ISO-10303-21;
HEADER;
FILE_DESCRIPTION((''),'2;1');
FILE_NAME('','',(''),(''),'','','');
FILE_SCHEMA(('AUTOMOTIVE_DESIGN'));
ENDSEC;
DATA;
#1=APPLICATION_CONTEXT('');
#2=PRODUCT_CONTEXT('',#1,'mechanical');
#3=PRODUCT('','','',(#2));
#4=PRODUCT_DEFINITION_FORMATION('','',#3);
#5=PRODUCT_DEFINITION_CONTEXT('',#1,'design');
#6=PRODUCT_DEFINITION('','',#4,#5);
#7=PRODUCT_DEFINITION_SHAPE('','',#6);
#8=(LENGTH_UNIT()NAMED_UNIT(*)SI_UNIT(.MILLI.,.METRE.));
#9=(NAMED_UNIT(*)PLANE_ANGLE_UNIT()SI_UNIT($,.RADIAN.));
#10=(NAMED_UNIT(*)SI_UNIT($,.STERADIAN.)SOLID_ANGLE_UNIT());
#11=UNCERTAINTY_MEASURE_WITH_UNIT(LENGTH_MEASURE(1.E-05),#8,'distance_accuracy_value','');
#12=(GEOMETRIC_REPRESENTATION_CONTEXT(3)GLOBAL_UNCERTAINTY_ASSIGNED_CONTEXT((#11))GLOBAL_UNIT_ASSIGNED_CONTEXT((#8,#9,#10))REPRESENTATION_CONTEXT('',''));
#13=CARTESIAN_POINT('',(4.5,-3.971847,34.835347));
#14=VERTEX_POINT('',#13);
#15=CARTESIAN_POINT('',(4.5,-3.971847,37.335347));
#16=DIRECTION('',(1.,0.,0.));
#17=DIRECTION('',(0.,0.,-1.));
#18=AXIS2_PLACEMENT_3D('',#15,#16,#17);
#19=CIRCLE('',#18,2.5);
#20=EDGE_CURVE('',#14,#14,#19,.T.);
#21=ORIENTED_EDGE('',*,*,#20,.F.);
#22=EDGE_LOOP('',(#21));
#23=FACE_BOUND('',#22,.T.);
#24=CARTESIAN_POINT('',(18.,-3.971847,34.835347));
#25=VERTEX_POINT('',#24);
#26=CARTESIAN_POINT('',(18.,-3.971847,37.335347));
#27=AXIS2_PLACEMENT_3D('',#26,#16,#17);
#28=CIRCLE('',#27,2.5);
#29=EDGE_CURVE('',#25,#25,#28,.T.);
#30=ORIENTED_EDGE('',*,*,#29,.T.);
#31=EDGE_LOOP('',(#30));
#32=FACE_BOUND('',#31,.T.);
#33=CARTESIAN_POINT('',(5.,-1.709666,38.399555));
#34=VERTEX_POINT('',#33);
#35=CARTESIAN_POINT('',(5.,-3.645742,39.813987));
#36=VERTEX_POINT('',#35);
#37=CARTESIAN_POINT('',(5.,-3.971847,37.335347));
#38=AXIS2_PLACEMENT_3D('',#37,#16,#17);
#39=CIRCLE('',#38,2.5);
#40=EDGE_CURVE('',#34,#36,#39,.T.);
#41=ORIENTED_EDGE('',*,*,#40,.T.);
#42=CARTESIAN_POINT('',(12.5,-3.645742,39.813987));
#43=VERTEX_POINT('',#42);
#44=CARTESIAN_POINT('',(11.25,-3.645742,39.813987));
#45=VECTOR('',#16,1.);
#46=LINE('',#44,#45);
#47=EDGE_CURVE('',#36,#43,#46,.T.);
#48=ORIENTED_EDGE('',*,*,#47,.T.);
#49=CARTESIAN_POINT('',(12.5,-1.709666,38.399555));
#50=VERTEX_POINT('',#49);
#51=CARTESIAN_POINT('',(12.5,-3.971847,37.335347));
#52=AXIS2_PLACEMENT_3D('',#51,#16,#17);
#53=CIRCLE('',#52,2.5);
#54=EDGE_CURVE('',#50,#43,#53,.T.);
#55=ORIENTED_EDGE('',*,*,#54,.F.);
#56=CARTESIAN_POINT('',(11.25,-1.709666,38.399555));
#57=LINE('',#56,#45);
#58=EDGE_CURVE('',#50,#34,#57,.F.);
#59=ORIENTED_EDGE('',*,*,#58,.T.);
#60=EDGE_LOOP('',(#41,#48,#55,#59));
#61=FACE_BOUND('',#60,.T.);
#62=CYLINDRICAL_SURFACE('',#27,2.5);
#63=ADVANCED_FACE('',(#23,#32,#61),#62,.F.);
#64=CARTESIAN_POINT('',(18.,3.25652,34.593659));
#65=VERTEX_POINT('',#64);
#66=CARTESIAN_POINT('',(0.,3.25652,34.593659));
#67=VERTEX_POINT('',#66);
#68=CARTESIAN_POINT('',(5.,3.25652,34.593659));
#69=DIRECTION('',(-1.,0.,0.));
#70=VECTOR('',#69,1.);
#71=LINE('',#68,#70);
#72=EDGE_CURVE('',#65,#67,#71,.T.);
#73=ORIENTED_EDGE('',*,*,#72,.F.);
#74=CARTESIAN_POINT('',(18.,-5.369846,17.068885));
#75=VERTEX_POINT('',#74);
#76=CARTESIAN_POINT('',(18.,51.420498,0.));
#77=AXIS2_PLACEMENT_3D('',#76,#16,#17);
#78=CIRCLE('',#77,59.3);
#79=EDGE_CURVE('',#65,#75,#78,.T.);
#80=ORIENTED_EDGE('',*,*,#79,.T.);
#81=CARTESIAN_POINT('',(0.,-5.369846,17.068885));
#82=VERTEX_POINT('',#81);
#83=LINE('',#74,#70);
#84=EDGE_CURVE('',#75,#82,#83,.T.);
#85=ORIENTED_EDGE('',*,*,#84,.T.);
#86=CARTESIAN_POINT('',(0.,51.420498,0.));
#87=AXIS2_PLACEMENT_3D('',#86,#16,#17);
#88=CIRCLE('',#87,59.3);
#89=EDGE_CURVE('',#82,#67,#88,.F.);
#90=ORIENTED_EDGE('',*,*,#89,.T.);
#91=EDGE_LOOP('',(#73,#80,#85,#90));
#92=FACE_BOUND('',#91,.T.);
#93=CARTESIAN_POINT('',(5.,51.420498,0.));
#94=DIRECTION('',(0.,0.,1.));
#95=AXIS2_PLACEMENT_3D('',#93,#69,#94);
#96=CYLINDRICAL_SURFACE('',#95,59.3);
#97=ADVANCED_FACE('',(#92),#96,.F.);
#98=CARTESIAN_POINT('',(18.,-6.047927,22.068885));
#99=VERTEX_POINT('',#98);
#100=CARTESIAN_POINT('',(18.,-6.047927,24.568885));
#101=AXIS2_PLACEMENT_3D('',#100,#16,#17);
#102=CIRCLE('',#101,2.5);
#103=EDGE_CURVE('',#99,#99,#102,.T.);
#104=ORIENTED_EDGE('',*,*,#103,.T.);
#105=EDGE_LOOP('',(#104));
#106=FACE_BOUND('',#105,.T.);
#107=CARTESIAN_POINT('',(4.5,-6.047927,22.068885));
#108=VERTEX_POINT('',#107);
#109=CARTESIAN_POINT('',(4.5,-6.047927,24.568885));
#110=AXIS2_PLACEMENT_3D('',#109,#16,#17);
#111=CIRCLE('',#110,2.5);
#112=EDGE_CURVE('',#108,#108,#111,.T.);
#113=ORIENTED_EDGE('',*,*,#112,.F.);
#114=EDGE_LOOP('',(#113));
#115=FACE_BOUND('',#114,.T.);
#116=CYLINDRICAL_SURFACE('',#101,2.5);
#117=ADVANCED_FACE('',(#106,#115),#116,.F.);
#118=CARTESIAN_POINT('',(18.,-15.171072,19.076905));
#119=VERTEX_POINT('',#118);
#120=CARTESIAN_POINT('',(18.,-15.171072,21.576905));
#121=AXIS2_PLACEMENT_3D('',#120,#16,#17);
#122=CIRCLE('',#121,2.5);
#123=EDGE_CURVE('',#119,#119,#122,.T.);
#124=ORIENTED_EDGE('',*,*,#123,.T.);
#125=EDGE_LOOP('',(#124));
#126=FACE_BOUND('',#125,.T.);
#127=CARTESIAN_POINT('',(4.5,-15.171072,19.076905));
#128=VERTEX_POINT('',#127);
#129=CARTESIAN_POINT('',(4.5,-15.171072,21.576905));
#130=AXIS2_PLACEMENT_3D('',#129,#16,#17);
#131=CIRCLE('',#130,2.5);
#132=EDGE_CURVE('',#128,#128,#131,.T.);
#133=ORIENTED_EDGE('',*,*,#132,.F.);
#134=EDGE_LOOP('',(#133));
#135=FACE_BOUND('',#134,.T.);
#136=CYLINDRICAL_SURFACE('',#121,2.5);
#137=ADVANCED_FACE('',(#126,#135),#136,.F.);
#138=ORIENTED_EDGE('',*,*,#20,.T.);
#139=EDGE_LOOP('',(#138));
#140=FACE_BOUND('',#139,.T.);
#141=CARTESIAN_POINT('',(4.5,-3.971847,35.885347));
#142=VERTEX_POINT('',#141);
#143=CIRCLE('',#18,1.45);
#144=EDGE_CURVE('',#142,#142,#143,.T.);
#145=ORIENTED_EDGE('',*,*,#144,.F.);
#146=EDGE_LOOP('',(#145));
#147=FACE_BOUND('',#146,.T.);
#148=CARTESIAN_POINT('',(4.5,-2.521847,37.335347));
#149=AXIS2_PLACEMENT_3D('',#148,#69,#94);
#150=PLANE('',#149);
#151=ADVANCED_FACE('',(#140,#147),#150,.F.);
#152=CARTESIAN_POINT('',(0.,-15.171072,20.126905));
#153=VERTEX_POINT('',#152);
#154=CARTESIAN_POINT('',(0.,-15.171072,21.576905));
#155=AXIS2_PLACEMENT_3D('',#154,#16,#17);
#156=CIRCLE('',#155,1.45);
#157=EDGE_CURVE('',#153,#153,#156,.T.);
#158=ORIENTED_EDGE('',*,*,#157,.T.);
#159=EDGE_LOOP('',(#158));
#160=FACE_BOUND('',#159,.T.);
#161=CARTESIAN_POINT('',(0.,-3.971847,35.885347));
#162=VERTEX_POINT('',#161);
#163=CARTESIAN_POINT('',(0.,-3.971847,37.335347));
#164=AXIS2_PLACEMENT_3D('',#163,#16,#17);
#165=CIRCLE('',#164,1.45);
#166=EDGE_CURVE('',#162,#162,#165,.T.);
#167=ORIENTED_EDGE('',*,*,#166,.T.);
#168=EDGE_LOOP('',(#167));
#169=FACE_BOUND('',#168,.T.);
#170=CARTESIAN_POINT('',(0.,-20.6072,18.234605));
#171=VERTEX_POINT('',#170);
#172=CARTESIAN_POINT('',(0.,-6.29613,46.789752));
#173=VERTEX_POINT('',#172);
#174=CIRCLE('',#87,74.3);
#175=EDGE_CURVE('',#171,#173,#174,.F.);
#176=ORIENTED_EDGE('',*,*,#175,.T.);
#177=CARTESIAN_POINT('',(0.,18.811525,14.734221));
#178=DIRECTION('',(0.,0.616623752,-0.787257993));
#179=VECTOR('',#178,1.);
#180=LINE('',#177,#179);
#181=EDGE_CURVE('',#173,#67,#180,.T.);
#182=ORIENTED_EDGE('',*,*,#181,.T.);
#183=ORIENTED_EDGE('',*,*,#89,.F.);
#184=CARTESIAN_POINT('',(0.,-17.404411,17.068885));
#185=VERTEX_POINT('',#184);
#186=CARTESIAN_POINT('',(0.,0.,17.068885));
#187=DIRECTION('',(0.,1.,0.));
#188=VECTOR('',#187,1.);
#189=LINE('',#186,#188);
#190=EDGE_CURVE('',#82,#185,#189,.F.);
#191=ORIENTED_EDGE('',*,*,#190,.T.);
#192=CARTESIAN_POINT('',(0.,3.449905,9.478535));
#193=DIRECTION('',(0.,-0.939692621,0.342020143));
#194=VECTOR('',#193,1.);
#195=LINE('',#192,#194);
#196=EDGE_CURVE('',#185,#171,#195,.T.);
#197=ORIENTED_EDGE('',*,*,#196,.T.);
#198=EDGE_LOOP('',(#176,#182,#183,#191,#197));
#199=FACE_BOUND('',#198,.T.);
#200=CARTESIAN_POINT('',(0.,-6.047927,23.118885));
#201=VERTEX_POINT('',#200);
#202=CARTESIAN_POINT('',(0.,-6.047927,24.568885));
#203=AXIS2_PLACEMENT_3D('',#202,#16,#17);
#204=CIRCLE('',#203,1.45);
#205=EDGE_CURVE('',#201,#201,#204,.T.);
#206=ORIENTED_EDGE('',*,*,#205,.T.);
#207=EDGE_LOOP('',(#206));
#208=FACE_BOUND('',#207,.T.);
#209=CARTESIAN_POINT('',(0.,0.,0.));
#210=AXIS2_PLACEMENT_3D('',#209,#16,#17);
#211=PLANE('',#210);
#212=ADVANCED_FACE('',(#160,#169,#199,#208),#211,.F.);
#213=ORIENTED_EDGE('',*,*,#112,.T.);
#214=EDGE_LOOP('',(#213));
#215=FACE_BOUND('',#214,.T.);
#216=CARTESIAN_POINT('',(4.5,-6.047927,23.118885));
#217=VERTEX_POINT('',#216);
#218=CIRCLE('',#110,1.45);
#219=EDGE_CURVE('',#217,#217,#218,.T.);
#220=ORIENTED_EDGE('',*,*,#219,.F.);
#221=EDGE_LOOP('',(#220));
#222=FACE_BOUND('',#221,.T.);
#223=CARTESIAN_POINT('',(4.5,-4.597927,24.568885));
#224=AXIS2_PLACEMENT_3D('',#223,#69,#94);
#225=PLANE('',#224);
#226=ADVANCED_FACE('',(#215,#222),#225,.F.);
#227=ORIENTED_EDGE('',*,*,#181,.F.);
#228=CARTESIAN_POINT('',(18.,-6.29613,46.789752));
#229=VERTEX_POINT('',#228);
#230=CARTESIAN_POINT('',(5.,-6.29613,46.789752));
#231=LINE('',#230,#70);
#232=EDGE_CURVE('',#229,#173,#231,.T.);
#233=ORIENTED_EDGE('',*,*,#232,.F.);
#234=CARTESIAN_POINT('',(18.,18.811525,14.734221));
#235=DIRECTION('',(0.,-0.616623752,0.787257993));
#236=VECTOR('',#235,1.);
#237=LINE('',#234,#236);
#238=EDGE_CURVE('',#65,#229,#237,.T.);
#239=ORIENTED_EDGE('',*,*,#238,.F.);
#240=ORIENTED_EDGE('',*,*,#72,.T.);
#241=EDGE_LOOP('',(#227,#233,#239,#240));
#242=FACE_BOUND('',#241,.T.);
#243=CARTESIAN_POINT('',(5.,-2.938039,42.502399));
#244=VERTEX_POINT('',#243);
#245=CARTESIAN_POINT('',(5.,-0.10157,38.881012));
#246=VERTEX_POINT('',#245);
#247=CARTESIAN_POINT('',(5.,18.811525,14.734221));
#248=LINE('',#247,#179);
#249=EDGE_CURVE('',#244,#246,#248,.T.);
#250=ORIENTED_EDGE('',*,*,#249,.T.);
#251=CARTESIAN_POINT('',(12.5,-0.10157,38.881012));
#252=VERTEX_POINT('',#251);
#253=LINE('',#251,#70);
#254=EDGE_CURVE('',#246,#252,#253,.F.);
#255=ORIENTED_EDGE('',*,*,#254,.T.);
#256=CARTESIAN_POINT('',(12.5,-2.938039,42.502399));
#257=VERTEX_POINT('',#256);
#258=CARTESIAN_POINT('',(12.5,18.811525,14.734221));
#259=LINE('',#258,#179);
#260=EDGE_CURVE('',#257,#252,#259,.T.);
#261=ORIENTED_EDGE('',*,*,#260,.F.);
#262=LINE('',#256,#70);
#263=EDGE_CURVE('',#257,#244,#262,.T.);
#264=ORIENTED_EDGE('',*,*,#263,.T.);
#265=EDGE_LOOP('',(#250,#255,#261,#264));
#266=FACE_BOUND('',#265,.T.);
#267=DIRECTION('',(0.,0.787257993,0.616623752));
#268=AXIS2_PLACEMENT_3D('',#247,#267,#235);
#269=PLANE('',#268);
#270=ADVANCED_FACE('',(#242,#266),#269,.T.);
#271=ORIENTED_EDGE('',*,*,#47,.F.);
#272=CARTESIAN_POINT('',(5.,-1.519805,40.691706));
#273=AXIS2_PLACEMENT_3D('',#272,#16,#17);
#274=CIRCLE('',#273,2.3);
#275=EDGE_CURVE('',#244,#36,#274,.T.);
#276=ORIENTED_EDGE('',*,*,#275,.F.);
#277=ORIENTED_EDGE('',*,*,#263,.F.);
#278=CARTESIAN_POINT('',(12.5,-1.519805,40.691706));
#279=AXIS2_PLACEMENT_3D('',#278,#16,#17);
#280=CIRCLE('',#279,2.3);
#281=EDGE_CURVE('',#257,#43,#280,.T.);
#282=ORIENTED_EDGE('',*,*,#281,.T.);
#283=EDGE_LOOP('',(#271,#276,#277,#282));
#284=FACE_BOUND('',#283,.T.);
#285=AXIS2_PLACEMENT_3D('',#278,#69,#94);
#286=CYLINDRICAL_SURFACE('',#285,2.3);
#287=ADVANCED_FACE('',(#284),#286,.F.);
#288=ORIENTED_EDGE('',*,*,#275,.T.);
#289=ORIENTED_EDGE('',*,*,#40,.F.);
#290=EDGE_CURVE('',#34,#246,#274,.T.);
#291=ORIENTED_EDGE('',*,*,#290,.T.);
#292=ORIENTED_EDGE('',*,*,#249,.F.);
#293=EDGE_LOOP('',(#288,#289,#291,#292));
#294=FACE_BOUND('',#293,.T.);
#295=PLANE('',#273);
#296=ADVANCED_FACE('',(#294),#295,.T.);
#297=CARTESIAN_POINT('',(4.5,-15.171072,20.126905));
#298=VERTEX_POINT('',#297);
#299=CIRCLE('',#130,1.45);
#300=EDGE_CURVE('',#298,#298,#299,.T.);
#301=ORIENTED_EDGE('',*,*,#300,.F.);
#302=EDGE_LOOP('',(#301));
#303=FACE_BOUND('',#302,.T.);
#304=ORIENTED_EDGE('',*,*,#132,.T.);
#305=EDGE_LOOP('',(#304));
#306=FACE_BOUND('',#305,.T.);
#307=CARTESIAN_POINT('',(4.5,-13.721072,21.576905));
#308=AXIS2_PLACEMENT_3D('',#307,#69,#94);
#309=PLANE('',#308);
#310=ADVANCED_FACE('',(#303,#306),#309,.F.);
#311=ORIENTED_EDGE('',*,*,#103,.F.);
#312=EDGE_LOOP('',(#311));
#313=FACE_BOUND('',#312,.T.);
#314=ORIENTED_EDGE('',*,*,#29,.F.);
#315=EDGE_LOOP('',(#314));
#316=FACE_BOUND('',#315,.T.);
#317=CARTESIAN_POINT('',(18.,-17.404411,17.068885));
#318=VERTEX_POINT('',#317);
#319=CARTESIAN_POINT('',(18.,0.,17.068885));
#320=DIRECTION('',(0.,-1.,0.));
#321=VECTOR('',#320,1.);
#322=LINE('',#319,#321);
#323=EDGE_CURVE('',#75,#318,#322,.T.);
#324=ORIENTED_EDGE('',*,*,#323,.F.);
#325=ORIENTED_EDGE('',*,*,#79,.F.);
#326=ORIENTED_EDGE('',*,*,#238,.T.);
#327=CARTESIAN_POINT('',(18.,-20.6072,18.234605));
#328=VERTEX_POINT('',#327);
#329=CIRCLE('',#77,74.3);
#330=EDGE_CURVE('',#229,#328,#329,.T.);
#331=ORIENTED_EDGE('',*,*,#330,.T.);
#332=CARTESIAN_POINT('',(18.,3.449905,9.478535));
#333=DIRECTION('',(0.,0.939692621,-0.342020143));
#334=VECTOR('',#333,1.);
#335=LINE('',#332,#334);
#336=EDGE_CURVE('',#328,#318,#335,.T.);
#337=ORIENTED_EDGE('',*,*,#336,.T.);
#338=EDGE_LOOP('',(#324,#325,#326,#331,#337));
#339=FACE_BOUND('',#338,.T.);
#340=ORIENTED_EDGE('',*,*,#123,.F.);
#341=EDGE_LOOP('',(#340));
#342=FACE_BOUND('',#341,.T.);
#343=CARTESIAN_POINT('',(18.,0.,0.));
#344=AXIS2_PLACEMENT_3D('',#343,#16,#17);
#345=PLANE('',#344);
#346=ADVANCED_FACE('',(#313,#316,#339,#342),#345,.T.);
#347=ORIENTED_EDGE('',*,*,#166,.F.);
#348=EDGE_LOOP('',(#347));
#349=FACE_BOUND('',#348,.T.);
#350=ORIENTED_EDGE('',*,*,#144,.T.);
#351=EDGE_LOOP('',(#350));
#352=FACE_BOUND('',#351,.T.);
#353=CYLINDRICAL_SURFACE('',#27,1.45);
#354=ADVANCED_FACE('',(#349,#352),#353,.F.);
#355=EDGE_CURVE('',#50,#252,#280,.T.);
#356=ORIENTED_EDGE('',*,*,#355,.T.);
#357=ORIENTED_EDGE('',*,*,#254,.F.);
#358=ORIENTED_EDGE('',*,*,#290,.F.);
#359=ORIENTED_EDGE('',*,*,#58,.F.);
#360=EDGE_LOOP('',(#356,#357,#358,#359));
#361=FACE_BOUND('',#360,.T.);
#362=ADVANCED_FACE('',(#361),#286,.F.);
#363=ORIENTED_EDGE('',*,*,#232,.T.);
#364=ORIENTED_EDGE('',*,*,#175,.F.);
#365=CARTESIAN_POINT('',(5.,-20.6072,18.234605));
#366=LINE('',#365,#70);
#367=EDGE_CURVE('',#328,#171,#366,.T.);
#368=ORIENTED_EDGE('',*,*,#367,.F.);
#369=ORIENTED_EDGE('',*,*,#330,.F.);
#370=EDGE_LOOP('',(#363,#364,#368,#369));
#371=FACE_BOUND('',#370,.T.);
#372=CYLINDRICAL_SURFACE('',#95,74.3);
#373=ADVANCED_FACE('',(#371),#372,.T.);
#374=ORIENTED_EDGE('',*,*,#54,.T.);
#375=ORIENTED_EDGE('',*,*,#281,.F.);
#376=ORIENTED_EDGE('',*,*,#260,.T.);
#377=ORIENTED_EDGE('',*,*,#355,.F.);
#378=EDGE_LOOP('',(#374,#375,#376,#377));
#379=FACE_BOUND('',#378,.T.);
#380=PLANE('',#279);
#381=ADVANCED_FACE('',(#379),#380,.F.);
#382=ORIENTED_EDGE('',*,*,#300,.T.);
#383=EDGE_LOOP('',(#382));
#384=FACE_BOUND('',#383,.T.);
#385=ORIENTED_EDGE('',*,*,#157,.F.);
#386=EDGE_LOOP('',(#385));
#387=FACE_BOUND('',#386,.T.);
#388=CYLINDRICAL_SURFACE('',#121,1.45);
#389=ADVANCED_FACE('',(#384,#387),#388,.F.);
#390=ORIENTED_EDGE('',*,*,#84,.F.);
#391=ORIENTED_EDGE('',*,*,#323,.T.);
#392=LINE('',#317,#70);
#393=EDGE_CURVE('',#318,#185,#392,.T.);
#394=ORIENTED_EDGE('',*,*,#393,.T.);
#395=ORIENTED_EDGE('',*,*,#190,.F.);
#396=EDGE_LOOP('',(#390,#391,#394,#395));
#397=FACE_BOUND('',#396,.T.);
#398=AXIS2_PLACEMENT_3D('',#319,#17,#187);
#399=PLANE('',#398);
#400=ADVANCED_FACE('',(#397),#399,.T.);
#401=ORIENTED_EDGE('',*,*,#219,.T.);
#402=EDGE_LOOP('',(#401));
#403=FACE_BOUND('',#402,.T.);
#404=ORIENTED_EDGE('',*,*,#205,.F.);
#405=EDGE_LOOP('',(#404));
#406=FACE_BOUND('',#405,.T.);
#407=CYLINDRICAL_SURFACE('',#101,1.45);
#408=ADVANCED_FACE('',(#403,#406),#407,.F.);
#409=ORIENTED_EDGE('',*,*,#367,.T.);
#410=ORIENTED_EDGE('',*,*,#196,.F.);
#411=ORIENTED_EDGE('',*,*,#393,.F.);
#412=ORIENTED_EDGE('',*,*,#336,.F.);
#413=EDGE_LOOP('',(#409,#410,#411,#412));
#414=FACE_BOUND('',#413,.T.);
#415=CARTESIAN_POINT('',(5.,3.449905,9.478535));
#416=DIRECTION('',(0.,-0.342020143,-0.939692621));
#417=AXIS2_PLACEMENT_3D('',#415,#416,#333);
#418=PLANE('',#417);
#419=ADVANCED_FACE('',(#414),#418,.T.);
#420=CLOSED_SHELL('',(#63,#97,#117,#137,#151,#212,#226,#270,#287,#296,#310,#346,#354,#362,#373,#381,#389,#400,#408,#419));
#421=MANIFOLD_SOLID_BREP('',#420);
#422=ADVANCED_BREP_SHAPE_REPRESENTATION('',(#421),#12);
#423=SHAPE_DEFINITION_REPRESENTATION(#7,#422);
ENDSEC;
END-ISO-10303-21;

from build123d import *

# Parameters (mm, degrees)
BOSS_EXTRUDE1_DEPTH              = 5
BOSS_EXTRUDE2_DEPTH              = 13
CUT_EXTRUDE1_START               = -13
SKETCH3_R                        = 2.3
CUT_EXTRUDE1_DEPTH               = 7.5
CUT_EXTRUDE2_DEPTH               = 57.683541142
CUT_EXTRUDE2_DEPTH_BACK          = 57.683541142
CBORE_FOR_M2_5_SHCS1_D           = 2.9
CBORE_FOR_M2_5_SHCS1_CBORE_D     = 5
CBORE_FOR_M2_5_SHCS1_CBORE_DEPTH = 13.5


with BuildPart() as part:
    # Sketch1 → Boss-Extrude1 (new body)
    with BuildSketch(Plane(origin=(0, 0, 0), x_dir=(0, 0, -1), z_dir=(1, 0, 0))):
        with BuildLine():
            Line((-34.593659354, 3.256520294), (-46.7897518, -6.296129983))
            ThreePointArc((-46.7897518, -6.296129983), (-33.290290023, -15.004245976), (-18.234604608, -20.60719958))
            Line((-18.234604608, -20.60719958), (-2.973495544, 21.32235297))
            Line((-2.973495544, 21.32235297), (-17.068884855, 26.45265512))
            Line((-17.068884855, 26.45265512), (-27.166620772, -1.290646299))
            ThreePointArc((-27.166620772, -1.290646299), (-30.963724442, 0.846415848), (-34.593659354, 3.256520294))
        make_face()
    extrude(amount=BOSS_EXTRUDE1_DEPTH)

    # Sketch2 → Boss-Extrude2 (add)
    with BuildSketch(Plane(origin=(5, 0, 0), x_dir=(0, 0, -1), z_dir=(1, 0, 0))):
        with BuildLine():
            Line((-34.593659354, 3.256520294), (-46.7897518, -6.296129983))
            ThreePointArc((-46.7897518, -6.296129983), (-42.613802597, -9.444548196), (-38.226724688, -12.291412509))
            Line((-38.226724688, -12.291412509), (-25.335917908, -2.194623762))
            ThreePointArc((-25.335917908, -2.194623762), (-26.255160174, -1.750514609), (-27.166620772, -1.290646299))
            ThreePointArc((-27.166620772, -1.290646299), (-30.963724442, 0.846415848), (-34.593659354, 3.256520294))
        make_face()
        with BuildLine():
            Line((-25.335917908, -2.194623762), (-38.226724688, -12.291412509))
            ThreePointArc((-38.226724688, -12.291412509), (-28.535215176, -17.181480963), (-18.234604608, -20.60719958))
            Line((-18.234604608, -20.60719958), (-12.16072752, -3.919359432))
            Line((-12.16072752, -3.919359432), (-2.973495544, 21.32235297))
            Line((-2.973495544, 21.32235297), (-17.068884855, 26.45265512))
            Line((-17.068884855, 26.45265512), (-26.256116832, 1.210942718))
            Line((-26.256116832, 1.210942718), (-27.166620772, -1.290646299))
            ThreePointArc((-27.166620772, -1.290646299), (-26.255160174, -1.750514609), (-25.335917908, -2.194623762))
        make_face()
    extrude(amount=BOSS_EXTRUDE2_DEPTH)

    # Sketch3 → Cut-Extrude1 (cut)
    with BuildSketch(Plane(origin=(18, 0, 0), x_dir=(0, 0, -1), z_dir=(1, 0, 0)).offset(CUT_EXTRUDE1_START)):
        with Locations((-40.691705577, -1.519804845)):
            Circle(SKETCH3_R)
    extrude(amount=CUT_EXTRUDE1_DEPTH, mode=Mode.SUBTRACT)

    # Sketch8 → Cut-Extrude2 (cut, two sides: drawn at the far end of the back side and taken through both)
    with BuildSketch(Plane.ZY.offset(-CUT_EXTRUDE2_DEPTH_BACK)):
        with BuildLine():
            Line((27.166620772, -1.290646299), (17.068884855, 26.45265512))
            Line((17.068884855, 26.45265512), (2.973495544, 21.32235297))
            Line((2.973495544, 21.32235297), (17.068884855, -17.404410883))
            Line((17.068884855, -17.404410883), (17.068884855, -5.36984615))
            ThreePointArc((17.068884855, -5.36984615), (22.211595111, -3.562545394), (27.166620772, -1.290646299))
        make_face()
    extrude(amount=CUT_EXTRUDE2_DEPTH + CUT_EXTRUDE2_DEPTH_BACK, mode=Mode.SUBTRACT)

    # CBORE for M2.5 SHCS1 (through all)
    with Locations(Plane(origin=(18, 0, 0), x_dir=(0, 0, -1), z_dir=(1, 0, 0))):
        with Locations((-37.335347169, -3.97184687), (-24.568884855, -6.047927384), (-21.576904852, -15.17107203)):
            CounterBoreHole(CBORE_FOR_M2_5_SHCS1_D / 2, CBORE_FOR_M2_5_SHCS1_CBORE_D / 2, CBORE_FOR_M2_5_SHCS1_CBORE_DEPTH)


solid = part.part
